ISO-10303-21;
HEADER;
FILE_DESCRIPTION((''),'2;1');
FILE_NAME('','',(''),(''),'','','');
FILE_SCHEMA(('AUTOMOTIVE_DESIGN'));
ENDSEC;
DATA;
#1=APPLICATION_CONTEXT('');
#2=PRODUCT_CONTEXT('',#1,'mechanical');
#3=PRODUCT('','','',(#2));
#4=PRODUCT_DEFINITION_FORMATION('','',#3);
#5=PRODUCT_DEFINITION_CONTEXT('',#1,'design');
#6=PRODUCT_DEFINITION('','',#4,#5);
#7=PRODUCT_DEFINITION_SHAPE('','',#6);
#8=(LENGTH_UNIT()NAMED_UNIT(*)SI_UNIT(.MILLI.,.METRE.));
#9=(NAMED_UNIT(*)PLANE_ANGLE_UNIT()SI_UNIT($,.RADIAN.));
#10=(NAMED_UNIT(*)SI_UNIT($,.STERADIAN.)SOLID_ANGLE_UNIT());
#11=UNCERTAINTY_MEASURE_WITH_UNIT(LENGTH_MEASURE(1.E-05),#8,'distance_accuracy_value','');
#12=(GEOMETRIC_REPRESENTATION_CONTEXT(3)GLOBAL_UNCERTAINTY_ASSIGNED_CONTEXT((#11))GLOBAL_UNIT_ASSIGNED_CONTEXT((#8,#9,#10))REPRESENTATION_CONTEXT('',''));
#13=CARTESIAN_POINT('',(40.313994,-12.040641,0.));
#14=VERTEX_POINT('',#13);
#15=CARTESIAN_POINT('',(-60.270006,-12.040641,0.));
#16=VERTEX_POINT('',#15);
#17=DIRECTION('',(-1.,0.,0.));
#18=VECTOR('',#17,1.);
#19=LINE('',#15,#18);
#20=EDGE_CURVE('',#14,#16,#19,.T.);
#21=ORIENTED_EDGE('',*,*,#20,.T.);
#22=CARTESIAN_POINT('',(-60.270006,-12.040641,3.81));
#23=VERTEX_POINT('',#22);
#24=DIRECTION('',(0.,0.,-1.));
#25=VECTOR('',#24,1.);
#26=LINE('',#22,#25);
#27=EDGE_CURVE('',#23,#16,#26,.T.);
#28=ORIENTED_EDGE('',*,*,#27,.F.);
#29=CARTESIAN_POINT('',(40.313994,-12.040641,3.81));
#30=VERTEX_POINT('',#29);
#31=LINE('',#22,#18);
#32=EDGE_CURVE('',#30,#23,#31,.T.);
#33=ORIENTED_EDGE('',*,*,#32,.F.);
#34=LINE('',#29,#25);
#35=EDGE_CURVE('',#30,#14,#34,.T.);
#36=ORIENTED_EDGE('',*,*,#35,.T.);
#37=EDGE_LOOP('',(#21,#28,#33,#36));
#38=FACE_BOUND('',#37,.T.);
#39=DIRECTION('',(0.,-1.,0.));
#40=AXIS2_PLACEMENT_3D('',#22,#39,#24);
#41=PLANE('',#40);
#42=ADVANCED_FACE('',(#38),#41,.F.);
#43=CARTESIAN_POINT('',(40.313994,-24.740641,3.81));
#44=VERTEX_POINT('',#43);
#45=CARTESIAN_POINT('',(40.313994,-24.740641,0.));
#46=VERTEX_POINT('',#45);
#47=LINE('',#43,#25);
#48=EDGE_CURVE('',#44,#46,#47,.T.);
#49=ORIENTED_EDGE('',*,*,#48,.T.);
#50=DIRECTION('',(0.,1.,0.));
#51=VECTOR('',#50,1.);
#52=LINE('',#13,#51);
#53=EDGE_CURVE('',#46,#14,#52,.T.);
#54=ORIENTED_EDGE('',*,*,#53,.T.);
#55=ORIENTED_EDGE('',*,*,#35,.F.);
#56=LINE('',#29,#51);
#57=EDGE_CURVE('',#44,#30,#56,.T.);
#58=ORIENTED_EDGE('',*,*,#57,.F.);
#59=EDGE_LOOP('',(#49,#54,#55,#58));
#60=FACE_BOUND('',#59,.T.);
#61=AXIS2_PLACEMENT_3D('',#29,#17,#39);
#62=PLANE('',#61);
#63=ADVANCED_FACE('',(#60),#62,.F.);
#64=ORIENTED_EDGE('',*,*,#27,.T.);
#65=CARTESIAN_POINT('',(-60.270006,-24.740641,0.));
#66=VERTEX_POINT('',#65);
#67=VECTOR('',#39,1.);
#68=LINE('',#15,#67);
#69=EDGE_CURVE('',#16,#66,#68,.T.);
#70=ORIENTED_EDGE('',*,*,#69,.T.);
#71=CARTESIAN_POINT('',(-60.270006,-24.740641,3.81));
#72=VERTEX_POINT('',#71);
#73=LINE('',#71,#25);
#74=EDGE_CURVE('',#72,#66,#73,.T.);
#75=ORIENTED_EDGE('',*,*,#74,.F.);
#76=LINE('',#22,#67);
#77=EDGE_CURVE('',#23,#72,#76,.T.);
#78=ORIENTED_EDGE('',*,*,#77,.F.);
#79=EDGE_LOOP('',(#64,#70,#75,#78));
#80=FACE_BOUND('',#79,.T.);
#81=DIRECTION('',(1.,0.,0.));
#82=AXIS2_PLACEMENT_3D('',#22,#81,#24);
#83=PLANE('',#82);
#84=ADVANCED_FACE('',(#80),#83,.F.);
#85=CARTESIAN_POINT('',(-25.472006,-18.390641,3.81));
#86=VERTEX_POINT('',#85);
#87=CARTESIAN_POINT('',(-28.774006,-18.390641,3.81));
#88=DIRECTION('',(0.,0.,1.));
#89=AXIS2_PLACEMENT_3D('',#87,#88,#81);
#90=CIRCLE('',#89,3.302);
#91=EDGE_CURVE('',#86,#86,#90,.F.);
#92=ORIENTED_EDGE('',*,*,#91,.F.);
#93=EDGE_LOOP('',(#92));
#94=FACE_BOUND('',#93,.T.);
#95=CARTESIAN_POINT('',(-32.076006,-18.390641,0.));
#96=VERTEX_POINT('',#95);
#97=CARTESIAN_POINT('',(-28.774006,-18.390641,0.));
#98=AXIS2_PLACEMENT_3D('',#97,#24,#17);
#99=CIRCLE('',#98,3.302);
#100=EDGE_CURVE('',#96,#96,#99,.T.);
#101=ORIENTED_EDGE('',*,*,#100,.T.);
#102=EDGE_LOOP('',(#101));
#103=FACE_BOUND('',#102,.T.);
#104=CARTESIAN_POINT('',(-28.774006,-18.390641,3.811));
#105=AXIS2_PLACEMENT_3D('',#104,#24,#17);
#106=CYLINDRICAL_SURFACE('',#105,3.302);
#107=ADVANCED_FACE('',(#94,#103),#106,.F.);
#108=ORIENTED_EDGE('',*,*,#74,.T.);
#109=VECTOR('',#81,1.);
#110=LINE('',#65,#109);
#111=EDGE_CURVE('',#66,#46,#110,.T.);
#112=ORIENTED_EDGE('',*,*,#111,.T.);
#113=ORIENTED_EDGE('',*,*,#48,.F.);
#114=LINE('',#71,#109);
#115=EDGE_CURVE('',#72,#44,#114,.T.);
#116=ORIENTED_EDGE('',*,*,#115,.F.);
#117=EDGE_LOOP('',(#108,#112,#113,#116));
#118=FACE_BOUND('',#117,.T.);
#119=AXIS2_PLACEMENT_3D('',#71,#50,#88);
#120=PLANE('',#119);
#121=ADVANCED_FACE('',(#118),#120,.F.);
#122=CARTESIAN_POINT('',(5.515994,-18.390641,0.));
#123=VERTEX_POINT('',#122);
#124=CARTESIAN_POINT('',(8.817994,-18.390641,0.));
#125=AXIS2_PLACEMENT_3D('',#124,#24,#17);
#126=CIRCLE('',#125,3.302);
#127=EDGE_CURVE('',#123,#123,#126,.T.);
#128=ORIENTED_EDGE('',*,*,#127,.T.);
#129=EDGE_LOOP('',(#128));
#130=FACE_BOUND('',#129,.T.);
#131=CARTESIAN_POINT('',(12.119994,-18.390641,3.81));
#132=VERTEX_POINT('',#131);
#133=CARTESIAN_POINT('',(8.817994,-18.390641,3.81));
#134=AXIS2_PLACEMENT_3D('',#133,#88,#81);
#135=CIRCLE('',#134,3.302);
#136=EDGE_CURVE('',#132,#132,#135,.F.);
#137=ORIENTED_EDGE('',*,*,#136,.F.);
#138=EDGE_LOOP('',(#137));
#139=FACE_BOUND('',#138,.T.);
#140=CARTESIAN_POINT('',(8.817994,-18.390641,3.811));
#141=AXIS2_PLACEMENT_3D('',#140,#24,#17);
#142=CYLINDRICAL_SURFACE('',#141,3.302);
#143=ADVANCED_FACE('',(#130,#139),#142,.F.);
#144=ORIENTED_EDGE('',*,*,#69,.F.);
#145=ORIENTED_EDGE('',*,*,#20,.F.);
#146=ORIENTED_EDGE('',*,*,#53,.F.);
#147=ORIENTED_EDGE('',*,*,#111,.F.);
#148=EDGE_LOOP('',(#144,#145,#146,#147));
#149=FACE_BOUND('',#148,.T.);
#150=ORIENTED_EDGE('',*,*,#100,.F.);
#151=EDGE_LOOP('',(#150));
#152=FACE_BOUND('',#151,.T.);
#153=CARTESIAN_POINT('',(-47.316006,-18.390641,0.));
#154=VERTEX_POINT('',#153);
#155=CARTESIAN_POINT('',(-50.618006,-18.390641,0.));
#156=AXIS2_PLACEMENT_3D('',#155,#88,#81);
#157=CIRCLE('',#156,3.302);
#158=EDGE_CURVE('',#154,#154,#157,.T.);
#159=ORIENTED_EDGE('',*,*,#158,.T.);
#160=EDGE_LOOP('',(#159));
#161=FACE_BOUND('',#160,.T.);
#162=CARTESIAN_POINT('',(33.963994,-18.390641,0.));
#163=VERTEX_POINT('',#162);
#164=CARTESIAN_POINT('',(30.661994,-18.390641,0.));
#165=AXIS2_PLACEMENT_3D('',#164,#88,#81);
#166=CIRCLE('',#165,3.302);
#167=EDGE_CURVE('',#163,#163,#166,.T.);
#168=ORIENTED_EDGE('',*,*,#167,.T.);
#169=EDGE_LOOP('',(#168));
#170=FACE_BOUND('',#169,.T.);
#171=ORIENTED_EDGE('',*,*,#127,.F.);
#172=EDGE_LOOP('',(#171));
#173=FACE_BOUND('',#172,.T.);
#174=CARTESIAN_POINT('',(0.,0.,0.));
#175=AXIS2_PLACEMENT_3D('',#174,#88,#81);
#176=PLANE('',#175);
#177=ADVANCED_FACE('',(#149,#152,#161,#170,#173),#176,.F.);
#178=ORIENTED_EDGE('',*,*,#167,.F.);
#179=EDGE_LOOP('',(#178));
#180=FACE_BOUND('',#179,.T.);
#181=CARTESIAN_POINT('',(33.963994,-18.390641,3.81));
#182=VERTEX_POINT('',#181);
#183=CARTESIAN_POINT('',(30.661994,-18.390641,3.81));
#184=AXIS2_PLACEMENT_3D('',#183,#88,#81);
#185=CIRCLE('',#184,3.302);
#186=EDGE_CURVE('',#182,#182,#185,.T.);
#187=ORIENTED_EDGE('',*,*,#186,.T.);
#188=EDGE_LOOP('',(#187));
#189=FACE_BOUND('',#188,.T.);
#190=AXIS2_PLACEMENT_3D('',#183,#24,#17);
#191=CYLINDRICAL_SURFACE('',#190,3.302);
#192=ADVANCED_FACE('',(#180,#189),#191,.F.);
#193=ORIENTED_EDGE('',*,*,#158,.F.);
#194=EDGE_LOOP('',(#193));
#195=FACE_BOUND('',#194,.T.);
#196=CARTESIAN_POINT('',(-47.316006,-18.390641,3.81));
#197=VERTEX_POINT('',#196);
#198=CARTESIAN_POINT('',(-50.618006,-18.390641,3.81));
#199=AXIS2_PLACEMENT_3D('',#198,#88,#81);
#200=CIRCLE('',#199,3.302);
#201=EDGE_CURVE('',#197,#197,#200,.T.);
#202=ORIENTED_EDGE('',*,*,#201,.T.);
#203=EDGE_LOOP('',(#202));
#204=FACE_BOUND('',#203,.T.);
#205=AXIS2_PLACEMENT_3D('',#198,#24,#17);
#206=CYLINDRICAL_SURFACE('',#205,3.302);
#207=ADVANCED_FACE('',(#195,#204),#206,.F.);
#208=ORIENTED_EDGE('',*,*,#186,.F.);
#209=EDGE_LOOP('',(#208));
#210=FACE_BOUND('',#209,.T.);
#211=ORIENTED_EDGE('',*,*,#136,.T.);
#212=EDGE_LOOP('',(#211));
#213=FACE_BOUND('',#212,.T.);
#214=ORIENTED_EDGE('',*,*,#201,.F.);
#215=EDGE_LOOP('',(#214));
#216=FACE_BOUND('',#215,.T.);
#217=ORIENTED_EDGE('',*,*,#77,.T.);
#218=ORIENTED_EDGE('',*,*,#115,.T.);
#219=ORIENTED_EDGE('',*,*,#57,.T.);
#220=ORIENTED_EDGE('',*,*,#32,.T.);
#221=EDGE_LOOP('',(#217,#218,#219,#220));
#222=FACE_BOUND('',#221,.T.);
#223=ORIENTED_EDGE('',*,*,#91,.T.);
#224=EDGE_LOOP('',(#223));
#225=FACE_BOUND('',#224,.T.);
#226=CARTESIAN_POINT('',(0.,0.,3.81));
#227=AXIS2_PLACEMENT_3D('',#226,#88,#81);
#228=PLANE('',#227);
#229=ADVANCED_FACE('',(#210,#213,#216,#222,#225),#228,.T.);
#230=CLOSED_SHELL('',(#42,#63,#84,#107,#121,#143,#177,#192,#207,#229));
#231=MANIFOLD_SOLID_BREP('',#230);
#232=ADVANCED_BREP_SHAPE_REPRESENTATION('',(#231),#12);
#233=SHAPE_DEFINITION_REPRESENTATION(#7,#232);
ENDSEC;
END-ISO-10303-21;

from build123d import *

# Parameters (mm, degrees)
SKETCH1_W           = 100.584
SKETCH1_H           = 12.7
SKETCH1_R           = 3.302
BOSS_EXTRUDE2_DEPTH = 3.81
CUT_EXTRUDE1_REACH  = 5.81
SKETCH2_R           = 3.302


with BuildPart() as part:
    # Sketch1 → Boss-Extrude2 (new body)
    with BuildSketch(Plane.XY):
        with Locations((-9.978006062, -18.390640797)):
            Rectangle(SKETCH1_W, SKETCH1_H)
        with Locations((30.661993938, -18.390640797)):
            Circle(SKETCH1_R, mode=Mode.SUBTRACT)
        with Locations((-50.618006062, -18.390640797)):
            Circle(SKETCH1_R, mode=Mode.SUBTRACT)
    extrude(amount=BOSS_EXTRUDE2_DEPTH)

    # Sketch2 → Cut-Extrude1 (cut, up to next)
    with BuildSketch(Plane(origin=(0, 0, 0), x_dir=(-1, 0, 0), z_dir=(0, 0, -1)), mode=Mode.PRIVATE) as cut_extrude1_sk1:
        with Locations((28.774006062, -18.390640797)):
            Circle(SKETCH2_R)
    cut_extrude1_tool1 = extrude(cut_extrude1_sk1.sketch, amount=-CUT_EXTRUDE1_REACH, mode=Mode.PRIVATE) & part.part
    add(cut_extrude1_tool1.solids().sort_by_distance((-28.774006, -18.390641, 0))[0], mode=Mode.SUBTRACT)
    # Sketch2 → Cut-Extrude1 (cut, up to next)
    with BuildSketch(Plane(origin=(0, 0, 0), x_dir=(-1, 0, 0), z_dir=(0, 0, -1)), mode=Mode.PRIVATE) as cut_extrude1_sk2:
        with Locations((-8.817993938, -18.390640797)):
            Circle(SKETCH2_R)
    cut_extrude1_tool2 = extrude(cut_extrude1_sk2.sketch, amount=-CUT_EXTRUDE1_REACH, mode=Mode.PRIVATE) & part.part
    add(cut_extrude1_tool2.solids().sort_by_distance((8.817994, -18.390641, 0))[0], mode=Mode.SUBTRACT)


solid = part.part
